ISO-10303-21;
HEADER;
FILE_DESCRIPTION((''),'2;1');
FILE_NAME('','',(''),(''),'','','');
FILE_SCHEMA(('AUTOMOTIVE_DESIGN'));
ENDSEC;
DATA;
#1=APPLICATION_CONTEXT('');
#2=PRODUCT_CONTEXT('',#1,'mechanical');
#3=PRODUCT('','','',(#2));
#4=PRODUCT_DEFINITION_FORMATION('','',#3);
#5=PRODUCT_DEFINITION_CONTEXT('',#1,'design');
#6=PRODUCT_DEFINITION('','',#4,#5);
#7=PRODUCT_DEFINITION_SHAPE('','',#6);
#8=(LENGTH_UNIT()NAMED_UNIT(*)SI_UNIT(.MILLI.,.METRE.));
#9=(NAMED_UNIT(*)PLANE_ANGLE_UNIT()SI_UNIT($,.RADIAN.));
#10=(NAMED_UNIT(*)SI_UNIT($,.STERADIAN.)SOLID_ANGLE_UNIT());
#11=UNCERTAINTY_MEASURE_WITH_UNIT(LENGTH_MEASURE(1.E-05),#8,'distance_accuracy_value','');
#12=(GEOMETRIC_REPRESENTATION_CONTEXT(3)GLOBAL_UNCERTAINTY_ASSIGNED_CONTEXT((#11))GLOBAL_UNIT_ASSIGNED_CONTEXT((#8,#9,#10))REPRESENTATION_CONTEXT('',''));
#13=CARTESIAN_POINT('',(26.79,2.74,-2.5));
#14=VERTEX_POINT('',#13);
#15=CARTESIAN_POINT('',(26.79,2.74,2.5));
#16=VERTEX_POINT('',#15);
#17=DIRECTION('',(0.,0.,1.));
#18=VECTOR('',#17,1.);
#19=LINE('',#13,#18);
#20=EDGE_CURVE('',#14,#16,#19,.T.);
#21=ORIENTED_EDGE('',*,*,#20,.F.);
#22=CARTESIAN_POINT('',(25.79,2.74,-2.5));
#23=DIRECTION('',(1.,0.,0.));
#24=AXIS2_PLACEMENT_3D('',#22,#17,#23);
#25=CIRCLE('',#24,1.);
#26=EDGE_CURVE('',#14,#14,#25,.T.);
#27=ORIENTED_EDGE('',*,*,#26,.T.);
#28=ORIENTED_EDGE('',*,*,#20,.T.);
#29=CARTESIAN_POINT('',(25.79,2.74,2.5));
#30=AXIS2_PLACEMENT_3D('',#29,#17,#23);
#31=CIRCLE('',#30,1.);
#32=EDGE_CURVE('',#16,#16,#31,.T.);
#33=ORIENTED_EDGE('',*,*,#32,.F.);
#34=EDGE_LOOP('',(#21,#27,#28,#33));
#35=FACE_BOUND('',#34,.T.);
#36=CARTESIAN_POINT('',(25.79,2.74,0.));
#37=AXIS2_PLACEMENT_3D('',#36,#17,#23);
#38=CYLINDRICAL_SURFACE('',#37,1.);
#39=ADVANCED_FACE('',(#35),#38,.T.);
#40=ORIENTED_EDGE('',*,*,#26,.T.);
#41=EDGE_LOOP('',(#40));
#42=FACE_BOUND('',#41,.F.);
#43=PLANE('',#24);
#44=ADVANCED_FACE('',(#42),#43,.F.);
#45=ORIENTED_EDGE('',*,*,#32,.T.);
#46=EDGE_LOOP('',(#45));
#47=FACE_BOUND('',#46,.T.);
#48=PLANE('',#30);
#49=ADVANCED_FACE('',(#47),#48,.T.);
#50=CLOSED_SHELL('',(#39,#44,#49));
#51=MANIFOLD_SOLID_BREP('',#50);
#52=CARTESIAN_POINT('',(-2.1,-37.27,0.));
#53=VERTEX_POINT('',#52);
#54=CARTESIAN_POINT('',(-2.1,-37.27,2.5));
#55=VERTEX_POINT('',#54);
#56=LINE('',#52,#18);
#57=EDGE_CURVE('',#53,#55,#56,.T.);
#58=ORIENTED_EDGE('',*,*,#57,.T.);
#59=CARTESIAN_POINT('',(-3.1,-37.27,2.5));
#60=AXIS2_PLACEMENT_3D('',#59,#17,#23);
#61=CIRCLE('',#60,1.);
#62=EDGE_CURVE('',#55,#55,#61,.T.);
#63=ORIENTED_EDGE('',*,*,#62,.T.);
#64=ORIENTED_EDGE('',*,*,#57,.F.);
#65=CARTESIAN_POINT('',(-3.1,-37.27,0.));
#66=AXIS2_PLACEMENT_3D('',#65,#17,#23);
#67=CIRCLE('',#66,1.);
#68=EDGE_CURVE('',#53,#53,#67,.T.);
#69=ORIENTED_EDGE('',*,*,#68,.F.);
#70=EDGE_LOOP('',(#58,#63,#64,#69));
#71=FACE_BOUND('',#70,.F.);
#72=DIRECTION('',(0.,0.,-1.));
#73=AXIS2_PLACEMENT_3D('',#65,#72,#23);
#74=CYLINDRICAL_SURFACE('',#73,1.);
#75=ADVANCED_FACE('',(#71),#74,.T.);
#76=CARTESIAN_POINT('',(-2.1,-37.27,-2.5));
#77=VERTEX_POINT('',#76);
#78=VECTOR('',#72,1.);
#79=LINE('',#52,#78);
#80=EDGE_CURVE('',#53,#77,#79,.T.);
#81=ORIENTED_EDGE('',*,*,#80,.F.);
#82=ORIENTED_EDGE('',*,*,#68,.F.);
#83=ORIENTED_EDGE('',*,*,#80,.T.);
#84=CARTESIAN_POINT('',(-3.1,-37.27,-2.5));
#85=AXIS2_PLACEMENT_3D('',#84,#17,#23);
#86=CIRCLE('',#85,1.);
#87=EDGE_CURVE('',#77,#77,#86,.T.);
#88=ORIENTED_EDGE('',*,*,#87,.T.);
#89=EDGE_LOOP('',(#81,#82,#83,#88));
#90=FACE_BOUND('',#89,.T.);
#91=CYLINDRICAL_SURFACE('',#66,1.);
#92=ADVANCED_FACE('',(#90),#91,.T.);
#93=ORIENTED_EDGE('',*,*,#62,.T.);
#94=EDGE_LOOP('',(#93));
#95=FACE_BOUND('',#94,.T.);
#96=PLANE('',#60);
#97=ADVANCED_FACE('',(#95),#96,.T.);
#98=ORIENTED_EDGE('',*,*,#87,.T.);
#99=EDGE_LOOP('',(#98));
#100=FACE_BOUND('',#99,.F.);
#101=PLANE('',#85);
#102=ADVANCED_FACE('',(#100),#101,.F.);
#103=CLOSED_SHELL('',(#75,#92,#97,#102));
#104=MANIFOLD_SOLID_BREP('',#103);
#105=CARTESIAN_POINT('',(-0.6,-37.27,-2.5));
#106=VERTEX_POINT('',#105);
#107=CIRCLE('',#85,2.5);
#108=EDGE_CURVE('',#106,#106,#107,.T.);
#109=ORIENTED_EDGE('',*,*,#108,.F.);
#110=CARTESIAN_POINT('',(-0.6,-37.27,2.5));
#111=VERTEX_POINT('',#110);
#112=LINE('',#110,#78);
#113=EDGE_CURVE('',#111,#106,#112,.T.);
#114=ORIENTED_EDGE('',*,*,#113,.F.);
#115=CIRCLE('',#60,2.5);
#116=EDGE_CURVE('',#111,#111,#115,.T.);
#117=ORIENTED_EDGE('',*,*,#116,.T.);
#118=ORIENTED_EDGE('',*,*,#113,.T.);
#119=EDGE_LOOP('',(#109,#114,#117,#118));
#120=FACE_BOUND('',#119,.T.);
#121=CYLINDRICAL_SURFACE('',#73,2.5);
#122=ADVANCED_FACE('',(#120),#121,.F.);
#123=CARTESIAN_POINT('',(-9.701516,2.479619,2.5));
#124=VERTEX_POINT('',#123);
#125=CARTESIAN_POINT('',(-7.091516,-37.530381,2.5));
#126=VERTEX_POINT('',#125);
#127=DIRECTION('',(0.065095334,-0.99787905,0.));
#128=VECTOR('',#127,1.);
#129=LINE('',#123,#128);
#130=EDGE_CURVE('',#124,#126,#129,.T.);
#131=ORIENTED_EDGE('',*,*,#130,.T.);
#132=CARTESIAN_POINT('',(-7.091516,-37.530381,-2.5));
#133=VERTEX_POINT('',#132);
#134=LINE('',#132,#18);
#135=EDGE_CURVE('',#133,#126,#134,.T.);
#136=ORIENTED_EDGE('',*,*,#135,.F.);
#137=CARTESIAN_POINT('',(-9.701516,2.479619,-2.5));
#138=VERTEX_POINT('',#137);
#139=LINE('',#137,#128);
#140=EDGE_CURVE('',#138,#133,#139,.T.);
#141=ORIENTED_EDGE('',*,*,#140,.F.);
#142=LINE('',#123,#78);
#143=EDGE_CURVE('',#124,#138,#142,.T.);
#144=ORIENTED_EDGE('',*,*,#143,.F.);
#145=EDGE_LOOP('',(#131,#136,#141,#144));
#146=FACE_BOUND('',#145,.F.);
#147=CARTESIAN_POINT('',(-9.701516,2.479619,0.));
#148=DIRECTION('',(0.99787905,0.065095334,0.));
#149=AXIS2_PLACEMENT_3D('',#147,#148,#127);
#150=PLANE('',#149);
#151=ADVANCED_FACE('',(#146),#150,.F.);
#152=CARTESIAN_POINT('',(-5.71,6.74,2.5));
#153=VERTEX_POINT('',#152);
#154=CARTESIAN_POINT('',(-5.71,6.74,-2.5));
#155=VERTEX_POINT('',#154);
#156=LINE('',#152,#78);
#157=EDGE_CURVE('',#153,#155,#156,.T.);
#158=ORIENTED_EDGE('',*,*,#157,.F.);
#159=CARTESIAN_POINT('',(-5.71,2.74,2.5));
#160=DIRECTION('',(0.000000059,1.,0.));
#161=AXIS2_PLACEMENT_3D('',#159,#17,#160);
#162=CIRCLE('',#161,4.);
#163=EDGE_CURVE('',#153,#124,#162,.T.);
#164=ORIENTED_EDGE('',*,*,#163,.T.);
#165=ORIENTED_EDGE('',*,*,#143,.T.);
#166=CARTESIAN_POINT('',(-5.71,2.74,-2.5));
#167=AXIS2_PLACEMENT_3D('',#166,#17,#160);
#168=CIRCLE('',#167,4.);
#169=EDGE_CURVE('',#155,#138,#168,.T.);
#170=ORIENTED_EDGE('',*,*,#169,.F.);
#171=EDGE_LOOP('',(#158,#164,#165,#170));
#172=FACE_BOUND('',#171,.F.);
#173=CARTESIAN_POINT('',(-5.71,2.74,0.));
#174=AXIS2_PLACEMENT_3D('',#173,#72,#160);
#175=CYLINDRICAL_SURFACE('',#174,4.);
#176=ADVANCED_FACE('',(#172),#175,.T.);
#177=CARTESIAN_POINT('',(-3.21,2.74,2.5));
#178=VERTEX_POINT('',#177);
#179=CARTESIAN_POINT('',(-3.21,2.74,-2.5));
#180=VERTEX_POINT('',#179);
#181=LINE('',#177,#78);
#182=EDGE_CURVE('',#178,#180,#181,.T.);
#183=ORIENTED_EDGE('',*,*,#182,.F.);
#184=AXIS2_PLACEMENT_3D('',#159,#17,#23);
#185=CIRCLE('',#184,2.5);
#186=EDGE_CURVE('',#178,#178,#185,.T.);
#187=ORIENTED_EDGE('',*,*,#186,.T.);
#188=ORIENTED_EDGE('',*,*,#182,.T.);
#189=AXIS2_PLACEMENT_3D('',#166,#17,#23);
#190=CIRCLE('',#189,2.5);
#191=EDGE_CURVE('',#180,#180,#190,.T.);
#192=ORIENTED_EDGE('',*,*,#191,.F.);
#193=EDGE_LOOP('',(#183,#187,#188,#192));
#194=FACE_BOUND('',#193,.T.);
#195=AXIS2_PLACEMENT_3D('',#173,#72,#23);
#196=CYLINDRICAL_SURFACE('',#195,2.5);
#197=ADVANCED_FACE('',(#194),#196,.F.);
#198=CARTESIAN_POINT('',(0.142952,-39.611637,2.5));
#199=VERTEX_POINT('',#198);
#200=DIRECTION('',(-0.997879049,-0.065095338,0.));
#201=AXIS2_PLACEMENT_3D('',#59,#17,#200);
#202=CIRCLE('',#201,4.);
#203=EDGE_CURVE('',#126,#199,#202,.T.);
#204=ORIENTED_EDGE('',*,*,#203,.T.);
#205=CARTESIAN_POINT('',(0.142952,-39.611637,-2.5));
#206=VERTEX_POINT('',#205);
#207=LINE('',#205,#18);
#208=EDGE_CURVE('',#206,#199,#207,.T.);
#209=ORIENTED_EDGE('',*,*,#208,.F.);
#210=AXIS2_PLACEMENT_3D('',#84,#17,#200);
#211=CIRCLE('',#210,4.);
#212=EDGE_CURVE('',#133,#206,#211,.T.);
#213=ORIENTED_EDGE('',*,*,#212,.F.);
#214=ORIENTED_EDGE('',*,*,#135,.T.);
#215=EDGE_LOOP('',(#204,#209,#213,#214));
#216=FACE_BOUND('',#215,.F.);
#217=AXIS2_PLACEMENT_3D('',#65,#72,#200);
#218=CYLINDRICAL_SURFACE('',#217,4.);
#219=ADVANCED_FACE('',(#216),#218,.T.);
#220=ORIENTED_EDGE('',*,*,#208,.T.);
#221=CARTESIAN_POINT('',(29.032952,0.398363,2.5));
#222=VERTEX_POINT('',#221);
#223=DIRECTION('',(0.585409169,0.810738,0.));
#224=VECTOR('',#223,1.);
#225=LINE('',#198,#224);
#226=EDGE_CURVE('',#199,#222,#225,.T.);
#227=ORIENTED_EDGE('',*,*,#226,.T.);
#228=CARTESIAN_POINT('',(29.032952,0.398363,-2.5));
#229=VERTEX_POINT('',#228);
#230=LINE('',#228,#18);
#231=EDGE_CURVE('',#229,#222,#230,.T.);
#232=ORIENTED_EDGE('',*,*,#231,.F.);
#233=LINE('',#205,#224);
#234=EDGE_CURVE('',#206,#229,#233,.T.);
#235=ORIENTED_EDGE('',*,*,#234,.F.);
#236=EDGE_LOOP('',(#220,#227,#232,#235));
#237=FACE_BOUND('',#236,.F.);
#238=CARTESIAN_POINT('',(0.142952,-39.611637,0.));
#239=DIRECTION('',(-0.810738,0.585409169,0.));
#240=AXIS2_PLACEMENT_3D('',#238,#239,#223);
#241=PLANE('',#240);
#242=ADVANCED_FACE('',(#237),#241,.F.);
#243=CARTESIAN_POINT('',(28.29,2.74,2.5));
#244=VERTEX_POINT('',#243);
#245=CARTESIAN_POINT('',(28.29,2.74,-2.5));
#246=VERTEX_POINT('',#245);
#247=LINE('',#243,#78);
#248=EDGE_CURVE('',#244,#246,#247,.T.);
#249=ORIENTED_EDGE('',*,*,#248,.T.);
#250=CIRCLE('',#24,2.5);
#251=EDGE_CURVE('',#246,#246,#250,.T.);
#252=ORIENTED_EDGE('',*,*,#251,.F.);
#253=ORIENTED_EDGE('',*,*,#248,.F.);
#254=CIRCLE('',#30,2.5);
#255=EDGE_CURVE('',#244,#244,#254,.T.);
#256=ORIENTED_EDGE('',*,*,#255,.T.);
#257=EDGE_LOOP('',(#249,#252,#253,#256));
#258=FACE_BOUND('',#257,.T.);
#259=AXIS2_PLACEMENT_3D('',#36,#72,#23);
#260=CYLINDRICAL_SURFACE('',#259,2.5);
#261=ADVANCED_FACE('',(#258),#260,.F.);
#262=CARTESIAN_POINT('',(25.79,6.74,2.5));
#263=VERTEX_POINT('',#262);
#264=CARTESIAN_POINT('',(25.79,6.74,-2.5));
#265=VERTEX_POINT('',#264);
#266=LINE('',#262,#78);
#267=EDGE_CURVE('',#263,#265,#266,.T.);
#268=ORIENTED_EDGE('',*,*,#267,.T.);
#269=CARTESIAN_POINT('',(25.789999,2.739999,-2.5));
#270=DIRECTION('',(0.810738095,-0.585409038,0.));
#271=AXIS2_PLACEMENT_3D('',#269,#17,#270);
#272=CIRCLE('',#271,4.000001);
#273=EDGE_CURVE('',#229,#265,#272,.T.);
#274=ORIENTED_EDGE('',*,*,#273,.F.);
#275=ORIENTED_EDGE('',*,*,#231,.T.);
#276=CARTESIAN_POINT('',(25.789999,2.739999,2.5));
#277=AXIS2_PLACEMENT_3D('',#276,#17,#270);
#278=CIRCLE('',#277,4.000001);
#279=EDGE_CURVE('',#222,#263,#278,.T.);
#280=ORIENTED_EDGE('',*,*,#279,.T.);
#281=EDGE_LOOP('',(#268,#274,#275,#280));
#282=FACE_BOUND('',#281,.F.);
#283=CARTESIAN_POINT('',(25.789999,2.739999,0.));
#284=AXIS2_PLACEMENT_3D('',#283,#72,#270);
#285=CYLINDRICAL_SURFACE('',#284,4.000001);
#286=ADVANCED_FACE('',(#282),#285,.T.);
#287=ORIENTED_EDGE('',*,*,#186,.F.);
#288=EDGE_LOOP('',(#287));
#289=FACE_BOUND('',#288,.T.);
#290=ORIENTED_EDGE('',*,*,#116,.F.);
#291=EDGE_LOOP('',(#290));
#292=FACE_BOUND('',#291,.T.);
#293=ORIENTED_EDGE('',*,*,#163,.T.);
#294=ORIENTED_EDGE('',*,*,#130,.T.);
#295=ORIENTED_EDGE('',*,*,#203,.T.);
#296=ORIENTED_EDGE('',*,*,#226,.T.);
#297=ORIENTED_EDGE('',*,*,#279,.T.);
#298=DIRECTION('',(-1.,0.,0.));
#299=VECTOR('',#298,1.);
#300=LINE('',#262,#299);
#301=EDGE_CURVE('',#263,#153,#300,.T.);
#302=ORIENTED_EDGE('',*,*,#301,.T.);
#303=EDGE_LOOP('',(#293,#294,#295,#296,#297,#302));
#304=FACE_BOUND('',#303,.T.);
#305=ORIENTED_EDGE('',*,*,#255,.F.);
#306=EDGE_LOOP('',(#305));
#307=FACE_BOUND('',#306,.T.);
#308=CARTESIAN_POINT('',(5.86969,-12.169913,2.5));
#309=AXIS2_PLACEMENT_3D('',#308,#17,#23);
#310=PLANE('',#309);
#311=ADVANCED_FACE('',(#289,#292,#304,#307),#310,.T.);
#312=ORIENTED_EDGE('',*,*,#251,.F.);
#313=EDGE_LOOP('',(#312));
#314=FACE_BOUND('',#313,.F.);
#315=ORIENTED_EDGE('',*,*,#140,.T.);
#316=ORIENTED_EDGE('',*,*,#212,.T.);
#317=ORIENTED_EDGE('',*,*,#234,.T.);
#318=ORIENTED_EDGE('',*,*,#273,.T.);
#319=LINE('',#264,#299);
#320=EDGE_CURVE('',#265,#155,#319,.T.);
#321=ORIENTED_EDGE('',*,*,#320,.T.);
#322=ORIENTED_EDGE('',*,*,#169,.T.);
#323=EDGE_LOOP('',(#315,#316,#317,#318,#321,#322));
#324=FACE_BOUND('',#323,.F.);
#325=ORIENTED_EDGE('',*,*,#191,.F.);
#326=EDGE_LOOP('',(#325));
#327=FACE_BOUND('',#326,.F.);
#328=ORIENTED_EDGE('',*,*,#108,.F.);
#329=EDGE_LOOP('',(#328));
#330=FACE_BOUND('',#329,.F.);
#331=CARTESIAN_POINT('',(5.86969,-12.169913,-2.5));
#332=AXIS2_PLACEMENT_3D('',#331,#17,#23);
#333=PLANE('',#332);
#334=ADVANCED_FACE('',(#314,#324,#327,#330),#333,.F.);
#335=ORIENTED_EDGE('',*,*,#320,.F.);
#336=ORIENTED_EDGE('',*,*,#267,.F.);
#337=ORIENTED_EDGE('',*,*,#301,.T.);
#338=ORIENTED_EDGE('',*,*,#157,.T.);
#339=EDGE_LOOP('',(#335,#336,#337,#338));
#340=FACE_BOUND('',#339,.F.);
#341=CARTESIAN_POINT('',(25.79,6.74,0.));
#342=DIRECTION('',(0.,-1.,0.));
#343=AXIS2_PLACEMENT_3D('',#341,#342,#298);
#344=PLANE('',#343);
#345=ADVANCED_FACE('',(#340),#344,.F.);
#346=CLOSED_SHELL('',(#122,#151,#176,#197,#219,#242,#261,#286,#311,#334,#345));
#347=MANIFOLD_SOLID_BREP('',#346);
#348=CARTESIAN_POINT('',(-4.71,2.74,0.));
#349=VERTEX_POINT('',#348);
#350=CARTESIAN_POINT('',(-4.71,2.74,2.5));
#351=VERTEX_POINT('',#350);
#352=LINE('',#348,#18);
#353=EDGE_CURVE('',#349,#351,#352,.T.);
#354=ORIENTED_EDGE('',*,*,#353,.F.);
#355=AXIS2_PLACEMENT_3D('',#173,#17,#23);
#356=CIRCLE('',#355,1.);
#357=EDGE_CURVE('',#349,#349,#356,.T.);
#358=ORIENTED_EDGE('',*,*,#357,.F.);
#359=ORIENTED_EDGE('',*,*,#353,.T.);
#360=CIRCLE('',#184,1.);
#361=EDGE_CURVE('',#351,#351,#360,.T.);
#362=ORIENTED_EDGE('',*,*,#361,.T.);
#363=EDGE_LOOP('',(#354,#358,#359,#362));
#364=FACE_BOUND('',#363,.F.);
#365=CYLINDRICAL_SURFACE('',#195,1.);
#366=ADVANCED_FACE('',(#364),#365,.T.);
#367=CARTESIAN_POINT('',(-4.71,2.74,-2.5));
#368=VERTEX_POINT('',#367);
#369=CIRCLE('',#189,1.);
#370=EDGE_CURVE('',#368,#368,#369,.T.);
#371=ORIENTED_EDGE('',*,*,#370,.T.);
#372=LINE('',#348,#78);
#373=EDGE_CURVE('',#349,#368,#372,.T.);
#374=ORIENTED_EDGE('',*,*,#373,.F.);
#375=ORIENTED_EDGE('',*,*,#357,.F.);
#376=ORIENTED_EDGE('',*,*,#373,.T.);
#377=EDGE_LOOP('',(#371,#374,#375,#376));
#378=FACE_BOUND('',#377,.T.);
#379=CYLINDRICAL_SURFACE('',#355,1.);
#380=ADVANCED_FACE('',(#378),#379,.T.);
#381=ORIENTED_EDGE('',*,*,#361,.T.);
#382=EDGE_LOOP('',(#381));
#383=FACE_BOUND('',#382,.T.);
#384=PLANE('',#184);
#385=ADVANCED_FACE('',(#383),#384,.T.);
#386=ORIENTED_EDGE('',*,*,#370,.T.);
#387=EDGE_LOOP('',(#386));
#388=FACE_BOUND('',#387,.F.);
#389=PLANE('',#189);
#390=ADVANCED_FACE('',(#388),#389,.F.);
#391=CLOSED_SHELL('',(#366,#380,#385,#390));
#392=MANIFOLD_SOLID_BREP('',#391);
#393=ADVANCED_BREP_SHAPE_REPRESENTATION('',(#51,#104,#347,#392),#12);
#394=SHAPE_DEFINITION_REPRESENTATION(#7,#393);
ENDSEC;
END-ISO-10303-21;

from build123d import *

# Parameters (mm, degrees)
F0_R     = 2.5
F0_R_2   = 1
F1_DEPTH = 2.5


with BuildPart() as f1:
    # F0 (on Top) → F1 (new body, symmetric)
    with BuildSketch(Plane.XY):
        with BuildLine():
            Line((-9.701516, 2.479619), (-7.091516, -37.530381))
            ThreePointArc((-7.091516, -37.530381), (-4.20589, -41.114087), (0.142952, -39.611637))
            Line((0.142952, -39.611637), (29.032952, 0.398363))
            ThreePointArc((29.032952, 0.398363), (29.351358, 4.561188), (25.79, 6.74))
            Line((25.79, 6.74), (-5.71, 6.74))
            ThreePointArc((-5.71, 6.74), (-8.629035, 5.474819), (-9.701516, 2.479619))
        make_face()
        with Locations((-3.1, -37.27)):
            Circle(F0_R, mode=Mode.SUBTRACT)
        with Locations((-5.71, 2.74)):
            Circle(F0_R, mode=Mode.SUBTRACT)
        with Locations((25.79, 2.74)):
            Circle(F0_R, mode=Mode.SUBTRACT)
        with Locations((-5.71, 2.74)):
            Circle(F0_R_2)
        with Locations((-3.1, -37.27)):
            Circle(F0_R_2)
        with Locations((25.79, 2.74)):
            Circle(F0_R_2)
    extrude(amount=F1_DEPTH, both=True)


solid = f1.part
